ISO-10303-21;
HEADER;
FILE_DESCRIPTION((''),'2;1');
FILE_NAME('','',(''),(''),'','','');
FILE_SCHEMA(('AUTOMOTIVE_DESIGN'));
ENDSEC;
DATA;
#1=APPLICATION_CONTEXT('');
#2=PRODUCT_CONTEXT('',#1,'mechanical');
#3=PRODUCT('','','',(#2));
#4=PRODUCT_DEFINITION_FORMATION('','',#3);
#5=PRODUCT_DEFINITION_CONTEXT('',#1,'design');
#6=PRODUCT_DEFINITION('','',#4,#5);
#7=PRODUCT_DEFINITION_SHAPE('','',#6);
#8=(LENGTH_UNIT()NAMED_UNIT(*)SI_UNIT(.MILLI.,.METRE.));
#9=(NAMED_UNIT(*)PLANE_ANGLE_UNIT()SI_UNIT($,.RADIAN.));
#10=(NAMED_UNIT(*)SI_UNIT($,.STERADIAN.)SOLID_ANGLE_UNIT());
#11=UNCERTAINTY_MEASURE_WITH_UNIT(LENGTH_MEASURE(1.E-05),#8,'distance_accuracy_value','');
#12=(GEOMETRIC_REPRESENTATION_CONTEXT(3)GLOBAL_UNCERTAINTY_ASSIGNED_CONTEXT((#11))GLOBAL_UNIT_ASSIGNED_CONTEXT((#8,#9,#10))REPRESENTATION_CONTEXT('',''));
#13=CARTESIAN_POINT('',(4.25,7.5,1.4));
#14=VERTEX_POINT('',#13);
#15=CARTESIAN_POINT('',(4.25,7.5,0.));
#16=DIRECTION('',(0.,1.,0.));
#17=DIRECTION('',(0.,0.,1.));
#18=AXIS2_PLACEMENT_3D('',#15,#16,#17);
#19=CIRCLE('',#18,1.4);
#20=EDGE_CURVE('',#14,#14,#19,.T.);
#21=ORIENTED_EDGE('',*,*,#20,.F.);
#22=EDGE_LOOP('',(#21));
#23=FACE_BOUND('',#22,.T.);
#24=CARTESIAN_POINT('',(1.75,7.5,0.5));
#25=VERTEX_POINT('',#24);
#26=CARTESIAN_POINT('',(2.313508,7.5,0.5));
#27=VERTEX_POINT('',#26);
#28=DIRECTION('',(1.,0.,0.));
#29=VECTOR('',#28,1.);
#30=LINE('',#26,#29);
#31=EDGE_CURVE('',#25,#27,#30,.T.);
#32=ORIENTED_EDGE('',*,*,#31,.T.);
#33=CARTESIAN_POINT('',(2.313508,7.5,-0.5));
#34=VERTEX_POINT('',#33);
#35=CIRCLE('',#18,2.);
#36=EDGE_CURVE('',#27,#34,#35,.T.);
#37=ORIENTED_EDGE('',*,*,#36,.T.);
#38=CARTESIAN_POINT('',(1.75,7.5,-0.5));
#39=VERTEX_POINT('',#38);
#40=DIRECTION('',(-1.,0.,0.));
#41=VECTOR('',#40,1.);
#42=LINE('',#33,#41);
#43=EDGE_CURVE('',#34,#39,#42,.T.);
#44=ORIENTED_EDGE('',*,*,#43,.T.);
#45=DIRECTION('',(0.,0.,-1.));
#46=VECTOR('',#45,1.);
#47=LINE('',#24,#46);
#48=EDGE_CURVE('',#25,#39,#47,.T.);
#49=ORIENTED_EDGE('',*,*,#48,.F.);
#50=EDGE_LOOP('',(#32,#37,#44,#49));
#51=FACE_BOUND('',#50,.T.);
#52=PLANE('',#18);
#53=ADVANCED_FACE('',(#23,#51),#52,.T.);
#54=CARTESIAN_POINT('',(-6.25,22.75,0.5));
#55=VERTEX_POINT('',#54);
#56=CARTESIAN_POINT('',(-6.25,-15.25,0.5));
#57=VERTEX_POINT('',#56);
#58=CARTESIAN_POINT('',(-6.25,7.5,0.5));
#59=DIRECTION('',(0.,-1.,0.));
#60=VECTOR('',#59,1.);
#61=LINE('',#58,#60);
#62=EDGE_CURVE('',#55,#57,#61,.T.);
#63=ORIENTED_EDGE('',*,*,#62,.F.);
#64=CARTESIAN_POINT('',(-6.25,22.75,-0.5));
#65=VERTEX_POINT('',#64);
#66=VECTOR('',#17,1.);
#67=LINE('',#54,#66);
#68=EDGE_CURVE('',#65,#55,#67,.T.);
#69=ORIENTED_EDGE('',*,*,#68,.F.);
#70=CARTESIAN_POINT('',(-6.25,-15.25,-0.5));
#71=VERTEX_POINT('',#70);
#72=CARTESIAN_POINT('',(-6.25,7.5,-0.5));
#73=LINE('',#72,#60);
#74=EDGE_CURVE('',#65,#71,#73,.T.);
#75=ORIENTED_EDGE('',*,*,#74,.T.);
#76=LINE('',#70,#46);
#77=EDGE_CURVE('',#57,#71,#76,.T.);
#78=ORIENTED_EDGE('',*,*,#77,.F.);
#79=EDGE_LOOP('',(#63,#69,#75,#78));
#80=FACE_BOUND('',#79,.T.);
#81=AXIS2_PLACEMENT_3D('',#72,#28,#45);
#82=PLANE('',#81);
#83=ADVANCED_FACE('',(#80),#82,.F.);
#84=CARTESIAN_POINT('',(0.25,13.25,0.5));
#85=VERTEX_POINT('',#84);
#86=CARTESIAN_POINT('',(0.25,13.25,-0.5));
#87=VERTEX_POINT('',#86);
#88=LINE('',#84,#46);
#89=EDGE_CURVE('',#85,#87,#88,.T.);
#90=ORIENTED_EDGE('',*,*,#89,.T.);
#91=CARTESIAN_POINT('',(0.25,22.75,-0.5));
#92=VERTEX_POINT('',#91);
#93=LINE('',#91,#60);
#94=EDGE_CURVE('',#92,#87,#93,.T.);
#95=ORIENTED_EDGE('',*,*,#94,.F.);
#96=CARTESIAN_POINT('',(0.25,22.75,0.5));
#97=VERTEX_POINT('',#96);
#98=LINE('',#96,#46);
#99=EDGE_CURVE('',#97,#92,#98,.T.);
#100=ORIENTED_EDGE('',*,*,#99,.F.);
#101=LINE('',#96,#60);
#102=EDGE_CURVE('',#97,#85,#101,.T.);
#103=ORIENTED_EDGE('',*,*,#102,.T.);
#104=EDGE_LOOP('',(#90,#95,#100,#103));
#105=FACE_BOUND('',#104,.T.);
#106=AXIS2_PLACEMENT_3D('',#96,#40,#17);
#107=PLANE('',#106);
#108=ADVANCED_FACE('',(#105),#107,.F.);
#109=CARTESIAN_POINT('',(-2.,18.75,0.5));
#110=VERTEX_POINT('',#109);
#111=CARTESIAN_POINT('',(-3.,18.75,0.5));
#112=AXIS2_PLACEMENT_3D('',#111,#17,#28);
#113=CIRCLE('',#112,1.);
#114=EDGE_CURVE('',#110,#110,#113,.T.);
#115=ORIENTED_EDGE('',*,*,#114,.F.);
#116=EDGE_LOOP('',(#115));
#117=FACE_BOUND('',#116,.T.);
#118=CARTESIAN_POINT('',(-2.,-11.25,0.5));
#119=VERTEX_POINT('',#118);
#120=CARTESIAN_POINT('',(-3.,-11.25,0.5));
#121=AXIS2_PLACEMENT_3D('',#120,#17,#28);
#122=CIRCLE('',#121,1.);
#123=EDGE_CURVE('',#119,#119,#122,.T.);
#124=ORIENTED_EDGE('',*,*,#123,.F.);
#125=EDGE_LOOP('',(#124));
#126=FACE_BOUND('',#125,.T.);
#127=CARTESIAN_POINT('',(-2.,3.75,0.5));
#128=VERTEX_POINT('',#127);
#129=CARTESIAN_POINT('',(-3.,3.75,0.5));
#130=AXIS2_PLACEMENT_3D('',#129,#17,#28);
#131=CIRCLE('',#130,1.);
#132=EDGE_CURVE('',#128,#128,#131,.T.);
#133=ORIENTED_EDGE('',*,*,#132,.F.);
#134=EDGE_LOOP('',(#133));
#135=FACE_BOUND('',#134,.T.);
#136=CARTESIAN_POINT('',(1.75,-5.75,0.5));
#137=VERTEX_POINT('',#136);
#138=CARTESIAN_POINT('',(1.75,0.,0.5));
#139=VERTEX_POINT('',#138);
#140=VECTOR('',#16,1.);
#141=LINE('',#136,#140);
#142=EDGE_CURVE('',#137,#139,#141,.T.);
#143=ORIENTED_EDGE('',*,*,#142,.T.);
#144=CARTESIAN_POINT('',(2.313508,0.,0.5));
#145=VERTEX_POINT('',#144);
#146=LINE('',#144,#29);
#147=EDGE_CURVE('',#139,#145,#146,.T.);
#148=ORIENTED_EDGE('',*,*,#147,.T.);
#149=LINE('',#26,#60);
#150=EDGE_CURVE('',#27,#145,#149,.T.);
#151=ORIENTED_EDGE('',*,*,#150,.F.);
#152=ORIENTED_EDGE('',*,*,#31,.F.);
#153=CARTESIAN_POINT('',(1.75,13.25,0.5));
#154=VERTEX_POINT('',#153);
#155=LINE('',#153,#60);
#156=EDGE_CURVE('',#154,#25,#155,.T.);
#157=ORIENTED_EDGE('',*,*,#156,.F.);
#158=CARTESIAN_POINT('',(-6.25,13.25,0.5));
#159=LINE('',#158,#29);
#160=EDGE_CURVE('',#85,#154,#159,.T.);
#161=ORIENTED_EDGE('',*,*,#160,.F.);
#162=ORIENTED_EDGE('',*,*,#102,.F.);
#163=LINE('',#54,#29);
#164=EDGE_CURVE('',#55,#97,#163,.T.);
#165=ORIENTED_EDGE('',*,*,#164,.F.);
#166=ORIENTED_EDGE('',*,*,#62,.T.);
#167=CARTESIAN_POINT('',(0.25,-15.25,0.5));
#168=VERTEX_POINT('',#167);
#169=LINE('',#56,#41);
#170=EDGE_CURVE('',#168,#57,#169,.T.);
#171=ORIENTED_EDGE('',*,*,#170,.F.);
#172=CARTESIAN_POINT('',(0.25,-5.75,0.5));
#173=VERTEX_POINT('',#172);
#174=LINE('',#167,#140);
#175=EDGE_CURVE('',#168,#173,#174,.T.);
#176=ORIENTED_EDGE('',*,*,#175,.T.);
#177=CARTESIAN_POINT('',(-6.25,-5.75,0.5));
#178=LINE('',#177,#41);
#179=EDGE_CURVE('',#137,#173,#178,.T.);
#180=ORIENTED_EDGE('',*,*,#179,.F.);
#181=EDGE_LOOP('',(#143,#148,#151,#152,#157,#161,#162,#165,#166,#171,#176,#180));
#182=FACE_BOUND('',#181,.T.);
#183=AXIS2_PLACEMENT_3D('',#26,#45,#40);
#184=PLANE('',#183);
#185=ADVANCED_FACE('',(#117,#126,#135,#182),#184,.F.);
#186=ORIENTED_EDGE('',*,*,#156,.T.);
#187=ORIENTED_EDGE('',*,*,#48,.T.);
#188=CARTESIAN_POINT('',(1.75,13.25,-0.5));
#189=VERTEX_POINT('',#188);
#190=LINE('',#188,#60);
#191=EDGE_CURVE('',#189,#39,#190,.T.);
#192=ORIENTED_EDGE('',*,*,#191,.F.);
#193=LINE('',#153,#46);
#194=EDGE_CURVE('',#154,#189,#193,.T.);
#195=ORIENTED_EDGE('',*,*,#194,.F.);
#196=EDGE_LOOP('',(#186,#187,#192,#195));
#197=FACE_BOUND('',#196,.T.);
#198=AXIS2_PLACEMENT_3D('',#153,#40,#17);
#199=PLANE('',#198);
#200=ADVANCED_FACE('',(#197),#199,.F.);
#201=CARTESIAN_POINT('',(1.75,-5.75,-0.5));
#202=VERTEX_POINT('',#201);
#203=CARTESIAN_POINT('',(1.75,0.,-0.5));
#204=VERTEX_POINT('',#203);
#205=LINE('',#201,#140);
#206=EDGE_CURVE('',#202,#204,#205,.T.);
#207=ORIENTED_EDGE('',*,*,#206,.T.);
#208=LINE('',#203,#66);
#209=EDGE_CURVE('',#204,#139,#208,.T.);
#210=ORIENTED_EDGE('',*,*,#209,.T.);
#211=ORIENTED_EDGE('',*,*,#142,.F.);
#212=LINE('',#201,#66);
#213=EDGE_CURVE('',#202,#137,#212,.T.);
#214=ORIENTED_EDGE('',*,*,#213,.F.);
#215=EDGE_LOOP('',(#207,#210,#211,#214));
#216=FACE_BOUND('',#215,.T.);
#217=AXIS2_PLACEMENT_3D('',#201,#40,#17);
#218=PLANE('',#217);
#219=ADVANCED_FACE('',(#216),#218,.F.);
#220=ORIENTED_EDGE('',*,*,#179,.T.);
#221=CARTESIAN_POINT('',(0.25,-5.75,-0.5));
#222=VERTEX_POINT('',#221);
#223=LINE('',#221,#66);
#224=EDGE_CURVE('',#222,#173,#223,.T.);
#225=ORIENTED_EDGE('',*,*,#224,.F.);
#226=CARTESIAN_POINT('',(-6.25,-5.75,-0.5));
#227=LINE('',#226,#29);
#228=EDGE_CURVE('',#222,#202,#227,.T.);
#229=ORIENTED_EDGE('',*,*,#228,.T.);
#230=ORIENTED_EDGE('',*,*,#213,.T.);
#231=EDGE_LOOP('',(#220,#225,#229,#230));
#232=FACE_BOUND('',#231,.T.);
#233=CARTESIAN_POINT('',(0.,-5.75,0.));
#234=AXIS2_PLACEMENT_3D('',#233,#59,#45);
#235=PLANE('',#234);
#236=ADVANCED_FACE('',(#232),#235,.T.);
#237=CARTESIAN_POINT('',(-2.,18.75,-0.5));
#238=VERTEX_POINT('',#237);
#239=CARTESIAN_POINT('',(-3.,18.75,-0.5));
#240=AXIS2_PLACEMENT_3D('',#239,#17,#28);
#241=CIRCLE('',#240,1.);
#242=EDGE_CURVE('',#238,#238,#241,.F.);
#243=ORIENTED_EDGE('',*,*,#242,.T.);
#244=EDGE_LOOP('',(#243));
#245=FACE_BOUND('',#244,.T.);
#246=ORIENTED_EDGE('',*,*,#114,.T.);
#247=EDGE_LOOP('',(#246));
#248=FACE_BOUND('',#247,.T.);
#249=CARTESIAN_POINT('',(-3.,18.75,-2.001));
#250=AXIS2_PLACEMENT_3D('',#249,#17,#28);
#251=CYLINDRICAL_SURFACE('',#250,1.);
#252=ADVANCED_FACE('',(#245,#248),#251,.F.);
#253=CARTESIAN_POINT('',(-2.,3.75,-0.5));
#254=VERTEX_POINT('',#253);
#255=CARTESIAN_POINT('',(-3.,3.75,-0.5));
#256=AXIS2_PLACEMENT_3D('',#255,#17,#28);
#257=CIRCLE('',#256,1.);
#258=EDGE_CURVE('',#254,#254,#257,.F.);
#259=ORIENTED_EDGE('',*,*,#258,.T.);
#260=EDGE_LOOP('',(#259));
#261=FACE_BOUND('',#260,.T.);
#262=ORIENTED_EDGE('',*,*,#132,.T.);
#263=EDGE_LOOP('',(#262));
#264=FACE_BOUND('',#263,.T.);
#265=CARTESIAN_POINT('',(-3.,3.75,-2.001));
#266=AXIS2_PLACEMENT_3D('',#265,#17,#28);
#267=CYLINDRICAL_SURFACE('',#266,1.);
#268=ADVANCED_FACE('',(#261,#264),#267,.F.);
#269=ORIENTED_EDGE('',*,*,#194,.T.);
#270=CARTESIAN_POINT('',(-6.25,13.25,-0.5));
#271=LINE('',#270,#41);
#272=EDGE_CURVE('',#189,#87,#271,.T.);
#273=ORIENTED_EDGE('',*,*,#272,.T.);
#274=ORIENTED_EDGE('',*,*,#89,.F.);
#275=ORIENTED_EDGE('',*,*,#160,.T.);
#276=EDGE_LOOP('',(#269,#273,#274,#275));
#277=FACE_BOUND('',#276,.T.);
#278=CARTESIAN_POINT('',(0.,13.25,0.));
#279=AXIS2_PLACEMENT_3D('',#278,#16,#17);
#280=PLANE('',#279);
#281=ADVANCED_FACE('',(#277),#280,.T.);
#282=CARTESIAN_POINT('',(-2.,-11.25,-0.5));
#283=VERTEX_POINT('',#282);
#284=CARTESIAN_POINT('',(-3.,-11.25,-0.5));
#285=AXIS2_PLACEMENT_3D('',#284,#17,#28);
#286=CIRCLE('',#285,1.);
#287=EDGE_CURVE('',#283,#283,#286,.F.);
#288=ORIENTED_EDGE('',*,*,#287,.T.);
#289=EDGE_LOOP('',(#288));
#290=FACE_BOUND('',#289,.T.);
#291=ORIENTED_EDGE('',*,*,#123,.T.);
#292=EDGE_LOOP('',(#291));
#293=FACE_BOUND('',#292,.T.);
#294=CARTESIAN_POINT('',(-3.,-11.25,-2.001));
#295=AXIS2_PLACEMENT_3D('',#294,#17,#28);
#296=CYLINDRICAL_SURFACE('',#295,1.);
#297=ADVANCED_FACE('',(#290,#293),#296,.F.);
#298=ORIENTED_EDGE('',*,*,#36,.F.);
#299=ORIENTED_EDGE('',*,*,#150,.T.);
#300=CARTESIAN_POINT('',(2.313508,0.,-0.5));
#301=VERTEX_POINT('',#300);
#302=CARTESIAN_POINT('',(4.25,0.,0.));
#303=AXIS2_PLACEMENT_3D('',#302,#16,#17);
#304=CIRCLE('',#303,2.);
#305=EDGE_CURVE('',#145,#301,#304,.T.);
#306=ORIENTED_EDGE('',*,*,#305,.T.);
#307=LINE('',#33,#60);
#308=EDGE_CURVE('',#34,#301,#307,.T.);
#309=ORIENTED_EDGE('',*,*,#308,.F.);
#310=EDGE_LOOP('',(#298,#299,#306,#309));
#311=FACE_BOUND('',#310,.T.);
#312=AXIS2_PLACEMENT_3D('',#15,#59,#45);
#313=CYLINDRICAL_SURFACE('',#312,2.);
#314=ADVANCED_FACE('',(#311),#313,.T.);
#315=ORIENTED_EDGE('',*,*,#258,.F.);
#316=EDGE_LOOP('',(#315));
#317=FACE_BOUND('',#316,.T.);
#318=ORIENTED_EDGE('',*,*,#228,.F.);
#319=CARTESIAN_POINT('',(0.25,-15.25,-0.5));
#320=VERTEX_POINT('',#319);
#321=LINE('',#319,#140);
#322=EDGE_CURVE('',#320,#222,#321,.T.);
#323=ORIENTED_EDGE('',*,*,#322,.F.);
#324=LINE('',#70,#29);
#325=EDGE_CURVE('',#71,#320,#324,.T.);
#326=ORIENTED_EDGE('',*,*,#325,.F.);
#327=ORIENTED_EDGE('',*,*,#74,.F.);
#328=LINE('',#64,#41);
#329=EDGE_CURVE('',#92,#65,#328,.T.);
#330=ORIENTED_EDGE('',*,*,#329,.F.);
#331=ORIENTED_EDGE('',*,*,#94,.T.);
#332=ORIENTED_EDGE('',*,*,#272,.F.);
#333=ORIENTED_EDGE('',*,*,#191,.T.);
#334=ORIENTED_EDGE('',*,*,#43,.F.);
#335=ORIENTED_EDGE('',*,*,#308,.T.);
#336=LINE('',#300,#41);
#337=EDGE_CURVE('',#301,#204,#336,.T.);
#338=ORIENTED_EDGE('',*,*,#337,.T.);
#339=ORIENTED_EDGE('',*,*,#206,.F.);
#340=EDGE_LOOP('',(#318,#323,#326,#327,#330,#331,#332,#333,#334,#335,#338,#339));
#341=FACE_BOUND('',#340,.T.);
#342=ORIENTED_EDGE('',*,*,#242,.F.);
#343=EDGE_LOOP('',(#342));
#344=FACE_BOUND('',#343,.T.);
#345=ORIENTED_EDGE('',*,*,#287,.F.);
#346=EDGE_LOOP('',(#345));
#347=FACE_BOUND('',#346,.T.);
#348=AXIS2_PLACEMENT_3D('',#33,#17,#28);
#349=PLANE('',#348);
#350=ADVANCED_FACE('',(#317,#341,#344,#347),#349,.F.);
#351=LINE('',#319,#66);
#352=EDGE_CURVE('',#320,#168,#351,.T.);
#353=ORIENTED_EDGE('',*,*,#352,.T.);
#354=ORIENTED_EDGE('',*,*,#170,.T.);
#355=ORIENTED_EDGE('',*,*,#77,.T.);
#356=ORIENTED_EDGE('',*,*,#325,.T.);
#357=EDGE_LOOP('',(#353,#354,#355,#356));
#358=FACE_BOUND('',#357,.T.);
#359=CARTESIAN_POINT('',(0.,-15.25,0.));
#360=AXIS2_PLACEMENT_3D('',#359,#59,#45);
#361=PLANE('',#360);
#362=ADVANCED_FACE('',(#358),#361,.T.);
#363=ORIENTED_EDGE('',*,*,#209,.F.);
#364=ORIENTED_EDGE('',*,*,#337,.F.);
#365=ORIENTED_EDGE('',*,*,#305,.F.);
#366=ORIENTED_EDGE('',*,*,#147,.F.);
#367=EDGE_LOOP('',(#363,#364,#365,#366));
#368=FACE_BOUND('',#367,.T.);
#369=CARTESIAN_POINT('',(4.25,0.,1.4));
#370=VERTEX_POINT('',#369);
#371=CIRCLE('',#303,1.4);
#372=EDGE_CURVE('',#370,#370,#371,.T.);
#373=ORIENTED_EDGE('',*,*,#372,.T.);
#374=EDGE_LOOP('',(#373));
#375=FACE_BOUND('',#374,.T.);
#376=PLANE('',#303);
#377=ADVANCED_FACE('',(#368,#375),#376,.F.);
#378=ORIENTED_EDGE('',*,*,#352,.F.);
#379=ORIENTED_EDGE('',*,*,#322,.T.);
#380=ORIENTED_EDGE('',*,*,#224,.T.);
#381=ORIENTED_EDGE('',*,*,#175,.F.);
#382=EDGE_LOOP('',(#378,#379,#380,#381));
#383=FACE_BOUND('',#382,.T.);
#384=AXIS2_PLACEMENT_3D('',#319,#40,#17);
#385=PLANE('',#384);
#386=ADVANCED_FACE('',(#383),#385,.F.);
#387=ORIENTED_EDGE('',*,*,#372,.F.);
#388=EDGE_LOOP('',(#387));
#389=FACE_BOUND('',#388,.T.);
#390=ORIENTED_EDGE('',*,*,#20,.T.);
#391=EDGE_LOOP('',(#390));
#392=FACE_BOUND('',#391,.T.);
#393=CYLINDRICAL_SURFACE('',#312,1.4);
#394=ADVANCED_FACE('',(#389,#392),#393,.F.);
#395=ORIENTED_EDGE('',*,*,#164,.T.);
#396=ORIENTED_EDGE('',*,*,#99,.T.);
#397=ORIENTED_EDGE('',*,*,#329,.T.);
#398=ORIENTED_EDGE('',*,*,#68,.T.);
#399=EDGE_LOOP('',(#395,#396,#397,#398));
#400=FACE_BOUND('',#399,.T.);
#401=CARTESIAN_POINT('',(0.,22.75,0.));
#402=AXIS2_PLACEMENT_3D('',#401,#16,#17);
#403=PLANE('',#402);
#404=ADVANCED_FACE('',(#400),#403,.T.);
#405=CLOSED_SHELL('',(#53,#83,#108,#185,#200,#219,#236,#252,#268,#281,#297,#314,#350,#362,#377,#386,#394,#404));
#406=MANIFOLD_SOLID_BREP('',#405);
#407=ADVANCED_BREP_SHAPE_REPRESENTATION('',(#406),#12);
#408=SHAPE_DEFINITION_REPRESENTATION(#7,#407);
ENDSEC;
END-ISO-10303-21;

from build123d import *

# Parameters (mm, degrees)
SKETCH1_R           = 1.4
BOSS_EXTRUDE1_DEPTH = 7.5
SKETCH2_W           = 8
SKETCH2_H           = 1
BOSS_EXTRUDE2_DEPTH = 5.75
SKETCH3_W           = 8
SKETCH3_H           = 1
BOSS_EXTRUDE3_DEPTH = 5.75
SKETCH4_W           = 6.5
SKETCH4_H           = 1
BOSS_EXTRUDE4_DEPTH = 9.5
SKETCH5_W           = 6.5
SKETCH5_H           = 1
BOSS_EXTRUDE5_DEPTH = 9.5
CUT_EXTRUDE1_REACH  = 4.5
SKETCH6_R           = 1


with BuildPart() as part:
    # Sketch1 → Boss-Extrude1 (new body)
    with BuildSketch(Plane(origin=(0, 0, 0), x_dir=(1, 0, 0), z_dir=(0, 1, 0))):
        with BuildLine():
            Line((2.313508327, 0.5), (-6.25, 0.5))
            Line((-6.25, 0.5), (-6.25, -0.5))
            Line((-6.25, -0.5), (2.313508327, -0.5))
            ThreePointArc((2.313508327, -0.5), (6.25, 0), (2.313508327, 0.5))
        make_face()
        with Locations((4.25, 0)):
            Circle(SKETCH1_R, mode=Mode.SUBTRACT)
    extrude(amount=BOSS_EXTRUDE1_DEPTH)

    # Sketch2 → Boss-Extrude2 (add)
    with BuildSketch(Plane(origin=(0, 7.5, 0), x_dir=(1, 0, 0), z_dir=(0, 1, 0))):
        with Locations((-2.25, 0)):
            Rectangle(SKETCH2_W, SKETCH2_H)
    extrude(amount=BOSS_EXTRUDE2_DEPTH)

    # Sketch3 → Boss-Extrude3 (add)
    with BuildSketch(Plane.XZ):
        with Locations((-2.25, 0)):
            Rectangle(SKETCH3_W, SKETCH3_H)
    extrude(amount=BOSS_EXTRUDE3_DEPTH)

    # Sketch4 → Boss-Extrude4 (add)
    with BuildSketch(Plane.XZ.offset(5.75)):
        with Locations((-3, 0)):
            Rectangle(SKETCH4_W, SKETCH4_H)
    extrude(amount=BOSS_EXTRUDE4_DEPTH)

    # Sketch5 → Boss-Extrude5 (add)
    with BuildSketch(Plane(origin=(0, 13.25, 0), x_dir=(1, 0, 0), z_dir=(0, 1, 0))):
        with Locations((-3, 0)):
            Rectangle(SKETCH5_W, SKETCH5_H)
    extrude(amount=BOSS_EXTRUDE5_DEPTH)

    # Sketch6 → Cut-Extrude1 (cut, up to next)
    with BuildSketch(Plane.XY.offset(0.5), mode=Mode.PRIVATE) as cut_extrude1_sk1:
        with Locations((-3, 18.75)):
            Circle(SKETCH6_R)
    cut_extrude1_tool1 = extrude(cut_extrude1_sk1.sketch, amount=-CUT_EXTRUDE1_REACH, mode=Mode.PRIVATE) & part.part
    add(cut_extrude1_tool1.solids().sort_by_distance((-3, 18.75, 0.5))[0], mode=Mode.SUBTRACT)
    # Sketch6 → Cut-Extrude1 (cut, up to next)
    with BuildSketch(Plane.XY.offset(0.5), mode=Mode.PRIVATE) as cut_extrude1_sk2:
        with Locations((-3, 3.75)):
            Circle(SKETCH6_R)
    cut_extrude1_tool2 = extrude(cut_extrude1_sk2.sketch, amount=-CUT_EXTRUDE1_REACH, mode=Mode.PRIVATE) & part.part
    add(cut_extrude1_tool2.solids().sort_by_distance((-3, 3.75, 0.5))[0], mode=Mode.SUBTRACT)
    # Sketch6 → Cut-Extrude1 (cut, up to next)
    with BuildSketch(Plane.XY.offset(0.5), mode=Mode.PRIVATE) as cut_extrude1_sk3:
        with Locations((-3, -11.25)):
            Circle(SKETCH6_R)
    cut_extrude1_tool3 = extrude(cut_extrude1_sk3.sketch, amount=-CUT_EXTRUDE1_REACH, mode=Mode.PRIVATE) & part.part
    add(cut_extrude1_tool3.solids().sort_by_distance((-3, -11.25, 0.5))[0], mode=Mode.SUBTRACT)


solid = part.part
